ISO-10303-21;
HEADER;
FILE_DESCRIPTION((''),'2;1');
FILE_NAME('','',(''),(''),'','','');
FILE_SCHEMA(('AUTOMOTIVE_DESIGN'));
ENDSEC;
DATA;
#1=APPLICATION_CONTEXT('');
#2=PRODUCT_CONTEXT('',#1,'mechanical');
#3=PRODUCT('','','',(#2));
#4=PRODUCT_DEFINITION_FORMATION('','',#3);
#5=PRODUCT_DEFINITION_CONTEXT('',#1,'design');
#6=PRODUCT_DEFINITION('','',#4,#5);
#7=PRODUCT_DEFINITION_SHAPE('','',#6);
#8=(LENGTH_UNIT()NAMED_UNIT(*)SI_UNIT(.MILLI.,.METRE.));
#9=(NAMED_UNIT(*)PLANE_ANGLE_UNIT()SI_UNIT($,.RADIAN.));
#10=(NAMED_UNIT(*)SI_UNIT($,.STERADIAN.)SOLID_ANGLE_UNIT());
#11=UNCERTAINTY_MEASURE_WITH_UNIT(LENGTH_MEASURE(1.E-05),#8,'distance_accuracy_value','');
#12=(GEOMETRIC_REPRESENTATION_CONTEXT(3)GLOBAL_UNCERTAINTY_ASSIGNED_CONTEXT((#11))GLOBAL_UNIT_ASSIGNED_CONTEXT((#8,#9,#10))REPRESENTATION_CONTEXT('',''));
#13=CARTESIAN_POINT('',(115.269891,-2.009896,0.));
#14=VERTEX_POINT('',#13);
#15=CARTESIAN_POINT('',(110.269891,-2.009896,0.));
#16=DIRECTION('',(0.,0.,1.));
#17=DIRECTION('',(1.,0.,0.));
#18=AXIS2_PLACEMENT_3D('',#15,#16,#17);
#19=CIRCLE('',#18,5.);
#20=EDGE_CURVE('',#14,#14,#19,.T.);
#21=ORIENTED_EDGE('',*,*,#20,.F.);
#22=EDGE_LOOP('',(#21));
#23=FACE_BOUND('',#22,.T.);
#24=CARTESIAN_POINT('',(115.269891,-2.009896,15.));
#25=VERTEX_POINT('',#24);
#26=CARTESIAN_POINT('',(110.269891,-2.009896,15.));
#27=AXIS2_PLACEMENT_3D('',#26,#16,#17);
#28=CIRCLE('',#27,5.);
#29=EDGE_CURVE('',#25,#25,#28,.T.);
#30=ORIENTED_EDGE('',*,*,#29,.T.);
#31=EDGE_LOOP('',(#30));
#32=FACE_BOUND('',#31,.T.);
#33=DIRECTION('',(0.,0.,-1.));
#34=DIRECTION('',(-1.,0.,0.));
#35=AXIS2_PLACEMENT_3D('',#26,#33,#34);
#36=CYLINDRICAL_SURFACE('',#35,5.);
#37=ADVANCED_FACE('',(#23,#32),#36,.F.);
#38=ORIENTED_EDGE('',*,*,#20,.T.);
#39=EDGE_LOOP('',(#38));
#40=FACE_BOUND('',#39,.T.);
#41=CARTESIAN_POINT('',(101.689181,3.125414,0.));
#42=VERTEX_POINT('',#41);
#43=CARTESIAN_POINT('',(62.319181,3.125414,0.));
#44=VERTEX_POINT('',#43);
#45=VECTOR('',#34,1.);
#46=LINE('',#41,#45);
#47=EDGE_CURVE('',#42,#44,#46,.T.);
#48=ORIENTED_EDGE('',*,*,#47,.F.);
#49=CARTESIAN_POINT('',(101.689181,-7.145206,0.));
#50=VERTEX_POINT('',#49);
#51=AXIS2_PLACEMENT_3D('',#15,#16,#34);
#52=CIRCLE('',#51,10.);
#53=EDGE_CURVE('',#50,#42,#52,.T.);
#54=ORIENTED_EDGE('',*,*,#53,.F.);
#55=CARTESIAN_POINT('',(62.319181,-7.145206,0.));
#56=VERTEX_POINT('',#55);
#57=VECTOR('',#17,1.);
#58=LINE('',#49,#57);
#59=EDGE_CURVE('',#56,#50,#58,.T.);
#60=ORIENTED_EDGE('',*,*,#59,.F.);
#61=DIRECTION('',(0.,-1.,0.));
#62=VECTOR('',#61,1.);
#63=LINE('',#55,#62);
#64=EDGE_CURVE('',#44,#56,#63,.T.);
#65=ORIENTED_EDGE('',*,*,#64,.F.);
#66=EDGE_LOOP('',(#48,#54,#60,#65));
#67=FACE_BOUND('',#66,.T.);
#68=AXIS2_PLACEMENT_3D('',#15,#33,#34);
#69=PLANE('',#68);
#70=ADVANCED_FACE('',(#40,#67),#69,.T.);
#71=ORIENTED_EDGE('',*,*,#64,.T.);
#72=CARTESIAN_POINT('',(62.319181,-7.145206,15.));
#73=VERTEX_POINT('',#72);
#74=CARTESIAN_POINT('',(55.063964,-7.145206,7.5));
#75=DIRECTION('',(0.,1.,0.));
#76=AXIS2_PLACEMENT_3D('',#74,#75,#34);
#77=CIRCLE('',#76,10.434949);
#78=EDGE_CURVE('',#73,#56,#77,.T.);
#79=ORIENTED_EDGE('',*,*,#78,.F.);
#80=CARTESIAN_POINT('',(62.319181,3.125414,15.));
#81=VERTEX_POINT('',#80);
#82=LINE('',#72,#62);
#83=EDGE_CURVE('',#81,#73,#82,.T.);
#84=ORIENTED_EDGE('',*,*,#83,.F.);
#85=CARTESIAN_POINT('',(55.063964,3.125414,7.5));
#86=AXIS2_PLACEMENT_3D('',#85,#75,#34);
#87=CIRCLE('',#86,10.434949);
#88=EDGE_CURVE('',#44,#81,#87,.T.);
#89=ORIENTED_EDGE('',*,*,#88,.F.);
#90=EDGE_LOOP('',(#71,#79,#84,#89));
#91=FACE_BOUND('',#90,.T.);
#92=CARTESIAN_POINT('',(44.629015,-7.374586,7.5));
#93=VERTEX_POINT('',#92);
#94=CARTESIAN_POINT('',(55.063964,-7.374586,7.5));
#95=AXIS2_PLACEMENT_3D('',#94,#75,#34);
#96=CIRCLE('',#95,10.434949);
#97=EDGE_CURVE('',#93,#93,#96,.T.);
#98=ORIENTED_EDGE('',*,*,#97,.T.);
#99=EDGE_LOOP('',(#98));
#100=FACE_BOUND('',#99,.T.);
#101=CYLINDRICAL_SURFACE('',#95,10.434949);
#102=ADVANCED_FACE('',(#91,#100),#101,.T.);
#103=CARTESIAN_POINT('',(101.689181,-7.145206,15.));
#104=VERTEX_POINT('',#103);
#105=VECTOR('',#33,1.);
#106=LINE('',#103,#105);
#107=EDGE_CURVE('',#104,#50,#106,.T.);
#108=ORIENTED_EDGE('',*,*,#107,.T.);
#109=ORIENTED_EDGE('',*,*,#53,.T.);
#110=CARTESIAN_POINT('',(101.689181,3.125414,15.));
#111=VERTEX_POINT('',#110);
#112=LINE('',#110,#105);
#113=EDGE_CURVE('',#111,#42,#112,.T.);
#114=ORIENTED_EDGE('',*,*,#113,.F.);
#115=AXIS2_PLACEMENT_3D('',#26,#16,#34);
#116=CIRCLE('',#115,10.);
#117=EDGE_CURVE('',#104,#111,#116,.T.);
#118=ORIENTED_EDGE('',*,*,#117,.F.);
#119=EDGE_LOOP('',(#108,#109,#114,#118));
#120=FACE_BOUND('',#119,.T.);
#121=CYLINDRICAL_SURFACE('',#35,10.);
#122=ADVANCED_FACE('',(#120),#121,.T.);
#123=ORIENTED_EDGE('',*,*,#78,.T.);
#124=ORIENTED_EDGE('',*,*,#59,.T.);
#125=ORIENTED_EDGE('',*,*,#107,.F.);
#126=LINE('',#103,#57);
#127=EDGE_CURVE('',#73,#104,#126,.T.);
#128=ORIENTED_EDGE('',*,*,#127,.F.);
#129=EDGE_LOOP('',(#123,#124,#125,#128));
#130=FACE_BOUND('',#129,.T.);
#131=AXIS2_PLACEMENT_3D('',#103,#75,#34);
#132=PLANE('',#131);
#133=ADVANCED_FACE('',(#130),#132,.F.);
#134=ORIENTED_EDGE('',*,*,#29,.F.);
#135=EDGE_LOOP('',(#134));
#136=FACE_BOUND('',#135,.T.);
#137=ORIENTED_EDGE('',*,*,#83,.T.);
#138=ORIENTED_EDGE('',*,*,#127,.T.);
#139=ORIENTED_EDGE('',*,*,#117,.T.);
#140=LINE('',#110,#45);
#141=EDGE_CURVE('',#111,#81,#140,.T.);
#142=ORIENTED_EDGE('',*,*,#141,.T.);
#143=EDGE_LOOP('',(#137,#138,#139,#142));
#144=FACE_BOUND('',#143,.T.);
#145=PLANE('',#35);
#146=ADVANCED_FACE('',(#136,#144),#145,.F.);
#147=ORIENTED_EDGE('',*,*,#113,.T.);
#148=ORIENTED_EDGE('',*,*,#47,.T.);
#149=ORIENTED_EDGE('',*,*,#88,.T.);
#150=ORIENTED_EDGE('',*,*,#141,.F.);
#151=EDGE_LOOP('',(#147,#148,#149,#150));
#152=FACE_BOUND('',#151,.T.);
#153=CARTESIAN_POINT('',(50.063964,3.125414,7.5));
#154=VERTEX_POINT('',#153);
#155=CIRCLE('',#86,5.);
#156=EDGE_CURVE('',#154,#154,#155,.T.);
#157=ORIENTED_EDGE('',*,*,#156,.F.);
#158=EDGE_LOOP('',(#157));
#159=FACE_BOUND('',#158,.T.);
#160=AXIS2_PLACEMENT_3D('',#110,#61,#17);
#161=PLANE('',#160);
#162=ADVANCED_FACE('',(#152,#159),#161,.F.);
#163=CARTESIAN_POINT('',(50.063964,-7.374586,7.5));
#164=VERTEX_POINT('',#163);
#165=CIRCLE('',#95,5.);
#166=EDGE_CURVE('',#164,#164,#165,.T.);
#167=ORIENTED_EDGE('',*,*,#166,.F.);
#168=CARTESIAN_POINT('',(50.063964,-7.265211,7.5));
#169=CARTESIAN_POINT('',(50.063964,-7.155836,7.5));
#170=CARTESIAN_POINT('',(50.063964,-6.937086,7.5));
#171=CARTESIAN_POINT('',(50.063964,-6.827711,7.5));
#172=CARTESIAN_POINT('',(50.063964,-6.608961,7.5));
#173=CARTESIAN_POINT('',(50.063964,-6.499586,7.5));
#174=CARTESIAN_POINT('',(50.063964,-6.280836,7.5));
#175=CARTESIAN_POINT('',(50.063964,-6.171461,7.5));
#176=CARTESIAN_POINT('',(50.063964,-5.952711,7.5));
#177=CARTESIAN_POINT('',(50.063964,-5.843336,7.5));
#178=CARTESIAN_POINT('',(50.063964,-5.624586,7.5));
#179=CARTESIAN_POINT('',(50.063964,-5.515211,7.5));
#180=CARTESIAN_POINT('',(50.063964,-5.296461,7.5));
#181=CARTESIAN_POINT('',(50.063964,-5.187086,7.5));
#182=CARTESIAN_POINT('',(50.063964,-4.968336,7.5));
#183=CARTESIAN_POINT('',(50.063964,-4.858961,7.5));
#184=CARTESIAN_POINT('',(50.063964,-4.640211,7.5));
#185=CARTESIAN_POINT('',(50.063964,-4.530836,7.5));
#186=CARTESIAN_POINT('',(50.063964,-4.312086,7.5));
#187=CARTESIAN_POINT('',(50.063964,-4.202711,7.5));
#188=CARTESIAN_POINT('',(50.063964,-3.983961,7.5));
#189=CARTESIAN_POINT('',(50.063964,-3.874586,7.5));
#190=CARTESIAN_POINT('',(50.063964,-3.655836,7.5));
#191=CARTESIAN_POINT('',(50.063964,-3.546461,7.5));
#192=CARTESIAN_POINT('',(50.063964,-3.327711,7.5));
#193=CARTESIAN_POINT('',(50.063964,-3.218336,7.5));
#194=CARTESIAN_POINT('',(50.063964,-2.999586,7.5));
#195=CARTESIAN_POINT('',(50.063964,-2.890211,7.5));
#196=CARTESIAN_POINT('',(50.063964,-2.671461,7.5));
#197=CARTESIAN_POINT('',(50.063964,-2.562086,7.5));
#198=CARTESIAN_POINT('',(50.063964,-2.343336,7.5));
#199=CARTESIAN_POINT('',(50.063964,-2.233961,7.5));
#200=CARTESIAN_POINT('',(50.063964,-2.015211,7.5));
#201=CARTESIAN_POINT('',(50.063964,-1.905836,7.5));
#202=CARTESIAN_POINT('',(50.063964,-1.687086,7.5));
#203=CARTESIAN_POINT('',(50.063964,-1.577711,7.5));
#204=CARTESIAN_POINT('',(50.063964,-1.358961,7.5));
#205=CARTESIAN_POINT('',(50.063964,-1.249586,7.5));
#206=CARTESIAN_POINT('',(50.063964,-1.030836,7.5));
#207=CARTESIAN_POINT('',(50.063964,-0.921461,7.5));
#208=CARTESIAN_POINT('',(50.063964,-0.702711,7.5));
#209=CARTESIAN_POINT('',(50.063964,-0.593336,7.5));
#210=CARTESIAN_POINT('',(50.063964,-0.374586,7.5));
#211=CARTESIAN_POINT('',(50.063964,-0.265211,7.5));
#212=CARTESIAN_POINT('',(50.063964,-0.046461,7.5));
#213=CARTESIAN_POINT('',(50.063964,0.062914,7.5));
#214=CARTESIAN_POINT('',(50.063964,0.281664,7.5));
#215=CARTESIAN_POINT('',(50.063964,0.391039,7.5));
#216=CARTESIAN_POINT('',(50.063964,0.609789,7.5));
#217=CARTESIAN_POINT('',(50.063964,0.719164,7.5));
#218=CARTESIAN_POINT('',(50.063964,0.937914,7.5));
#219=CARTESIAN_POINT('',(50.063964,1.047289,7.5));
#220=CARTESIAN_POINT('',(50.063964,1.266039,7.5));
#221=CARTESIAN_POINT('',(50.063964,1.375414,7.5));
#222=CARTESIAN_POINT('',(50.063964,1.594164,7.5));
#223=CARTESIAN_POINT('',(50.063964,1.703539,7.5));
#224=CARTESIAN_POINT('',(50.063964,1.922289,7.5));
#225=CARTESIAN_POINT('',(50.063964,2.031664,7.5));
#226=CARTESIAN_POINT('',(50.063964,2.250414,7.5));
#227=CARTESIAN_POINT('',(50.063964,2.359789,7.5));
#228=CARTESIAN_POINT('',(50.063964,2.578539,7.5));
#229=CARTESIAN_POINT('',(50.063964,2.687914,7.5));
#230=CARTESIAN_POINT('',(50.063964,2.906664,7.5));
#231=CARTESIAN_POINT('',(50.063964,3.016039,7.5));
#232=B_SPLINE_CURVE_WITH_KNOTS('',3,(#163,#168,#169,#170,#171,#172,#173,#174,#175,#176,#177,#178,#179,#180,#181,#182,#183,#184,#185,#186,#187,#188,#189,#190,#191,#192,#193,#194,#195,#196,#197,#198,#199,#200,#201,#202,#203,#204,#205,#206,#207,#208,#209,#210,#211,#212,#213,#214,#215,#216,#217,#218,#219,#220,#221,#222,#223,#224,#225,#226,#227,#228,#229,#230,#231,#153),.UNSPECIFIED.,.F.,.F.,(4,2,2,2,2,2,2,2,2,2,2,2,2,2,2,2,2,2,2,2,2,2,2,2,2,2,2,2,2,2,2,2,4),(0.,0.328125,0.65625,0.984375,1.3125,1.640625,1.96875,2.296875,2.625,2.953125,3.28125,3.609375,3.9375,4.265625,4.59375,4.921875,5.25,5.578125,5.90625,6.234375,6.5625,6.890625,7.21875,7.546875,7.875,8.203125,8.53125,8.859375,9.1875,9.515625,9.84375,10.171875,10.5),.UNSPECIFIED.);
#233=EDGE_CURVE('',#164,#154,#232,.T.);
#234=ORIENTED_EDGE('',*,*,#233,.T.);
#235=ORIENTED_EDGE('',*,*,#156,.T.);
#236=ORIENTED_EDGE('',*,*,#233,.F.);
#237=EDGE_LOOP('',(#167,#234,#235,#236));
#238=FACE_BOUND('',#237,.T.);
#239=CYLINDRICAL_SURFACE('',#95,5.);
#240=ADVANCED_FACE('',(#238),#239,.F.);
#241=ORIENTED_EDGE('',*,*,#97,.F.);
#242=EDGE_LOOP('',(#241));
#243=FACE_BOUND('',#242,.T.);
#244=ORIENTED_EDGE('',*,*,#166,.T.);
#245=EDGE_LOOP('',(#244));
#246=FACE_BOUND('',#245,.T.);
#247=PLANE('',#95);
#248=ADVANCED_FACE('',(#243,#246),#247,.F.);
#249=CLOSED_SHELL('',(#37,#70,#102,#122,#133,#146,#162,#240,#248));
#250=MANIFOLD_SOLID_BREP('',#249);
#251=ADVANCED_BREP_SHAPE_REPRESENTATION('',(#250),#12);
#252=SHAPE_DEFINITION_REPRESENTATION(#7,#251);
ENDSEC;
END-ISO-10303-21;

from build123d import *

# Parameters (mm, degrees)
SKETCH4_R           = 5
BOSS_EXTRUDE6_DEPTH = 15
SKETCH9_R           = 10.43494917
SKETCH9_R_2         = 5
BOSS_EXTRUDE8_DEPTH = 10.5


with BuildPart() as part:
    # Sketch4 → Boss-Extrude6 (new body)
    with BuildSketch(Plane.XY):
        with BuildLine():
            Line((101.689180826, -7.145205758), (62.319180826, -7.145205758))
            Line((62.319180826, -7.145205758), (62.319180826, 3.125413503))
            Line((62.319180826, 3.125413503), (101.689180826, 3.125413503))
            ThreePointArc((101.689180826, 3.125413503), (120.269891461, -2.009896128), (101.689180826, -7.145205758))
        make_face()
        with Locations((110.269891461, -2.009896128)):
            Circle(SKETCH4_R, mode=Mode.SUBTRACT)
    extrude(amount=BOSS_EXTRUDE6_DEPTH)

    # Sketch9 → Boss-Extrude8 (add)
    with BuildSketch(Plane(origin=(0, 3.125413503, 0), x_dir=(1, 0, 0), z_dir=(0, 1, 0))):
        with Locations(Location((55.063964483, -7.5, 0), (0, 0, 180))):
            Circle(SKETCH9_R)
        with Locations(Location((55.063964483, -7.5, 0), (0, 0, 180))):
            Circle(SKETCH9_R_2, mode=Mode.SUBTRACT)
    extrude(amount=-BOSS_EXTRUDE8_DEPTH)


solid = part.part
